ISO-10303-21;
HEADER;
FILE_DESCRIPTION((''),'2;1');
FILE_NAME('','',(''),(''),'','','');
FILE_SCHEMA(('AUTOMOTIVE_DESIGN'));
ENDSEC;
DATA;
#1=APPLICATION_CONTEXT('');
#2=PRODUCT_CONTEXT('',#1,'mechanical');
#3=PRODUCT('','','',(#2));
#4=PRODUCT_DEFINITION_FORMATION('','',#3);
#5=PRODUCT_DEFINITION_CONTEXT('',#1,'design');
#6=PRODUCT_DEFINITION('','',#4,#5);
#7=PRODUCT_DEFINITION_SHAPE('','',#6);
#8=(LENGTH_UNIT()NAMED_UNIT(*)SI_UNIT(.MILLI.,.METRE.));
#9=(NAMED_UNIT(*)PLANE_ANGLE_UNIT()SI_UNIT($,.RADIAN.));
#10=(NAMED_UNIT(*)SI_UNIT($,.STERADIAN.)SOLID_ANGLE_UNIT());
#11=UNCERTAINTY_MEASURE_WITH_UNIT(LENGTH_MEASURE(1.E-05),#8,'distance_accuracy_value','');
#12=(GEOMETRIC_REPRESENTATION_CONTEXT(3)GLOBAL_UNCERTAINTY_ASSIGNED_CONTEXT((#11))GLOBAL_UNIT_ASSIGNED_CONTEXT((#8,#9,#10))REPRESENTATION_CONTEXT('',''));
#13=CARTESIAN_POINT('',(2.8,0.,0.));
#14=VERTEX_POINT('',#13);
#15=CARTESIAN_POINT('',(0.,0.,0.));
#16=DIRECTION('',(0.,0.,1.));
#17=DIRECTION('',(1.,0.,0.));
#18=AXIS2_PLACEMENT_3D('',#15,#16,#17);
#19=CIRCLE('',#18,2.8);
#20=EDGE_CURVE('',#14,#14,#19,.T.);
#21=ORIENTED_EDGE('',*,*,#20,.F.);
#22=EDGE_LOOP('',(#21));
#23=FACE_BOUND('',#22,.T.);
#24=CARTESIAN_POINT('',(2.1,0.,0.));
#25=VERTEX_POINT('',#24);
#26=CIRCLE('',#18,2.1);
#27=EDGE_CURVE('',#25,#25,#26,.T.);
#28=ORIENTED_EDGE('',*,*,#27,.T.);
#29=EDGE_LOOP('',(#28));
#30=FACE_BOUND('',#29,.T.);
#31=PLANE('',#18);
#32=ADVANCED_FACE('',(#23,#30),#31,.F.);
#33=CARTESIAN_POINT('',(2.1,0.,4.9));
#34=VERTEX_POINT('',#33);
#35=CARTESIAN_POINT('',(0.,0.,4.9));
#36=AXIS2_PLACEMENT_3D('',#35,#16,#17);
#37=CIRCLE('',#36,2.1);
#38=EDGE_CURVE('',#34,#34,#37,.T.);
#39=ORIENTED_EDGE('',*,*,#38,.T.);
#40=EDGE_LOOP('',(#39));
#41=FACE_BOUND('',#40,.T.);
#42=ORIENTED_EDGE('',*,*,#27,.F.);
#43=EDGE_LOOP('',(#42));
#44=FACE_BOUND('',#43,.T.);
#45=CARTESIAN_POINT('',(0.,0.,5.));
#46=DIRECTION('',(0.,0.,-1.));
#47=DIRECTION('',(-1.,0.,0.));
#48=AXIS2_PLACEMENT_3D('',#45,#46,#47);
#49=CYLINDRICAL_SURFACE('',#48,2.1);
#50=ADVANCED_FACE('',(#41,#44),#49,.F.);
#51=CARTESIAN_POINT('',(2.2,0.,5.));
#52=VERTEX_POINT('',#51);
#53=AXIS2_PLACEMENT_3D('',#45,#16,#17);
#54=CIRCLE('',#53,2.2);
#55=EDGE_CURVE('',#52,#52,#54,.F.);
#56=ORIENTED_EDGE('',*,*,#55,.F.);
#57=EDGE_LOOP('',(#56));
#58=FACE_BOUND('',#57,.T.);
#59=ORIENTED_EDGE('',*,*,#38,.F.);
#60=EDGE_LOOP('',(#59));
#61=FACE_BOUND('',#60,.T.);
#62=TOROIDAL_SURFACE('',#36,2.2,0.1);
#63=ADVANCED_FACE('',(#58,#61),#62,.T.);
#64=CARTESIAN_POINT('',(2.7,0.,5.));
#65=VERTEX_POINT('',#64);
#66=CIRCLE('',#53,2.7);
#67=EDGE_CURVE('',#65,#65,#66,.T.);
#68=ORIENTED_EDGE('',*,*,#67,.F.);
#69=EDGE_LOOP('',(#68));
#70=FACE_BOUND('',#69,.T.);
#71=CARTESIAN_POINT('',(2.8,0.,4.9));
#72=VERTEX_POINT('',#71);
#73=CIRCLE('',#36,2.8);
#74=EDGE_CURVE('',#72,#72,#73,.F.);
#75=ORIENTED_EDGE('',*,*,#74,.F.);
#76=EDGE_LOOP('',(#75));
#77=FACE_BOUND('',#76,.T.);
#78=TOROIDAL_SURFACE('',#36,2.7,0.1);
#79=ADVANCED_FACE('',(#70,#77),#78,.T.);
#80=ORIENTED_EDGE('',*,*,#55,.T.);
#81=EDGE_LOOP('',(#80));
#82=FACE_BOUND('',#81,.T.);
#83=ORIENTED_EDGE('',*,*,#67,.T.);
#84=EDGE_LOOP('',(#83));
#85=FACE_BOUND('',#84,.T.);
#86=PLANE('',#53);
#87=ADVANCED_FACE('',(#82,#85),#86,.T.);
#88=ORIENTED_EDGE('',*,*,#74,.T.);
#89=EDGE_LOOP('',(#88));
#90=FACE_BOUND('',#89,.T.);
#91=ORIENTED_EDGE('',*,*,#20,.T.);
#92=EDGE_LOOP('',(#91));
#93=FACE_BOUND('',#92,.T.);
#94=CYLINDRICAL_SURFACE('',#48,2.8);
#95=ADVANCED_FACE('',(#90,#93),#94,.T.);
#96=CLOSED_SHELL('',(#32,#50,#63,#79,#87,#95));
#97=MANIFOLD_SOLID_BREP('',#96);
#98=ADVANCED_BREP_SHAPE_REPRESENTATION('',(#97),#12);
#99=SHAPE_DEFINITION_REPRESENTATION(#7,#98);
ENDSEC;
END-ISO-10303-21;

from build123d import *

# Parameters (mm, degrees)
SKETCH1_R           = 2.8
SKETCH1_R_2         = 2.1
BOSS_EXTRUDE1_DEPTH = 5
FILLET1_R           = 0.1


with BuildPart() as part:
    # Sketch1 → Boss-Extrude1 (new body)
    with BuildSketch(Plane.XY):
        Circle(SKETCH1_R)
        Circle(SKETCH1_R_2, mode=Mode.SUBTRACT)
    extrude(amount=BOSS_EXTRUDE1_DEPTH)

    # Fillet1
    fillet1_edges = [part.edges().sort_by_distance(p)[0] for p in [
        (-2.8, 0, 5),
        (-2.1, 0, 5),
    ]]
    fillet(fillet1_edges, radius=FILLET1_R)


solid = part.part
